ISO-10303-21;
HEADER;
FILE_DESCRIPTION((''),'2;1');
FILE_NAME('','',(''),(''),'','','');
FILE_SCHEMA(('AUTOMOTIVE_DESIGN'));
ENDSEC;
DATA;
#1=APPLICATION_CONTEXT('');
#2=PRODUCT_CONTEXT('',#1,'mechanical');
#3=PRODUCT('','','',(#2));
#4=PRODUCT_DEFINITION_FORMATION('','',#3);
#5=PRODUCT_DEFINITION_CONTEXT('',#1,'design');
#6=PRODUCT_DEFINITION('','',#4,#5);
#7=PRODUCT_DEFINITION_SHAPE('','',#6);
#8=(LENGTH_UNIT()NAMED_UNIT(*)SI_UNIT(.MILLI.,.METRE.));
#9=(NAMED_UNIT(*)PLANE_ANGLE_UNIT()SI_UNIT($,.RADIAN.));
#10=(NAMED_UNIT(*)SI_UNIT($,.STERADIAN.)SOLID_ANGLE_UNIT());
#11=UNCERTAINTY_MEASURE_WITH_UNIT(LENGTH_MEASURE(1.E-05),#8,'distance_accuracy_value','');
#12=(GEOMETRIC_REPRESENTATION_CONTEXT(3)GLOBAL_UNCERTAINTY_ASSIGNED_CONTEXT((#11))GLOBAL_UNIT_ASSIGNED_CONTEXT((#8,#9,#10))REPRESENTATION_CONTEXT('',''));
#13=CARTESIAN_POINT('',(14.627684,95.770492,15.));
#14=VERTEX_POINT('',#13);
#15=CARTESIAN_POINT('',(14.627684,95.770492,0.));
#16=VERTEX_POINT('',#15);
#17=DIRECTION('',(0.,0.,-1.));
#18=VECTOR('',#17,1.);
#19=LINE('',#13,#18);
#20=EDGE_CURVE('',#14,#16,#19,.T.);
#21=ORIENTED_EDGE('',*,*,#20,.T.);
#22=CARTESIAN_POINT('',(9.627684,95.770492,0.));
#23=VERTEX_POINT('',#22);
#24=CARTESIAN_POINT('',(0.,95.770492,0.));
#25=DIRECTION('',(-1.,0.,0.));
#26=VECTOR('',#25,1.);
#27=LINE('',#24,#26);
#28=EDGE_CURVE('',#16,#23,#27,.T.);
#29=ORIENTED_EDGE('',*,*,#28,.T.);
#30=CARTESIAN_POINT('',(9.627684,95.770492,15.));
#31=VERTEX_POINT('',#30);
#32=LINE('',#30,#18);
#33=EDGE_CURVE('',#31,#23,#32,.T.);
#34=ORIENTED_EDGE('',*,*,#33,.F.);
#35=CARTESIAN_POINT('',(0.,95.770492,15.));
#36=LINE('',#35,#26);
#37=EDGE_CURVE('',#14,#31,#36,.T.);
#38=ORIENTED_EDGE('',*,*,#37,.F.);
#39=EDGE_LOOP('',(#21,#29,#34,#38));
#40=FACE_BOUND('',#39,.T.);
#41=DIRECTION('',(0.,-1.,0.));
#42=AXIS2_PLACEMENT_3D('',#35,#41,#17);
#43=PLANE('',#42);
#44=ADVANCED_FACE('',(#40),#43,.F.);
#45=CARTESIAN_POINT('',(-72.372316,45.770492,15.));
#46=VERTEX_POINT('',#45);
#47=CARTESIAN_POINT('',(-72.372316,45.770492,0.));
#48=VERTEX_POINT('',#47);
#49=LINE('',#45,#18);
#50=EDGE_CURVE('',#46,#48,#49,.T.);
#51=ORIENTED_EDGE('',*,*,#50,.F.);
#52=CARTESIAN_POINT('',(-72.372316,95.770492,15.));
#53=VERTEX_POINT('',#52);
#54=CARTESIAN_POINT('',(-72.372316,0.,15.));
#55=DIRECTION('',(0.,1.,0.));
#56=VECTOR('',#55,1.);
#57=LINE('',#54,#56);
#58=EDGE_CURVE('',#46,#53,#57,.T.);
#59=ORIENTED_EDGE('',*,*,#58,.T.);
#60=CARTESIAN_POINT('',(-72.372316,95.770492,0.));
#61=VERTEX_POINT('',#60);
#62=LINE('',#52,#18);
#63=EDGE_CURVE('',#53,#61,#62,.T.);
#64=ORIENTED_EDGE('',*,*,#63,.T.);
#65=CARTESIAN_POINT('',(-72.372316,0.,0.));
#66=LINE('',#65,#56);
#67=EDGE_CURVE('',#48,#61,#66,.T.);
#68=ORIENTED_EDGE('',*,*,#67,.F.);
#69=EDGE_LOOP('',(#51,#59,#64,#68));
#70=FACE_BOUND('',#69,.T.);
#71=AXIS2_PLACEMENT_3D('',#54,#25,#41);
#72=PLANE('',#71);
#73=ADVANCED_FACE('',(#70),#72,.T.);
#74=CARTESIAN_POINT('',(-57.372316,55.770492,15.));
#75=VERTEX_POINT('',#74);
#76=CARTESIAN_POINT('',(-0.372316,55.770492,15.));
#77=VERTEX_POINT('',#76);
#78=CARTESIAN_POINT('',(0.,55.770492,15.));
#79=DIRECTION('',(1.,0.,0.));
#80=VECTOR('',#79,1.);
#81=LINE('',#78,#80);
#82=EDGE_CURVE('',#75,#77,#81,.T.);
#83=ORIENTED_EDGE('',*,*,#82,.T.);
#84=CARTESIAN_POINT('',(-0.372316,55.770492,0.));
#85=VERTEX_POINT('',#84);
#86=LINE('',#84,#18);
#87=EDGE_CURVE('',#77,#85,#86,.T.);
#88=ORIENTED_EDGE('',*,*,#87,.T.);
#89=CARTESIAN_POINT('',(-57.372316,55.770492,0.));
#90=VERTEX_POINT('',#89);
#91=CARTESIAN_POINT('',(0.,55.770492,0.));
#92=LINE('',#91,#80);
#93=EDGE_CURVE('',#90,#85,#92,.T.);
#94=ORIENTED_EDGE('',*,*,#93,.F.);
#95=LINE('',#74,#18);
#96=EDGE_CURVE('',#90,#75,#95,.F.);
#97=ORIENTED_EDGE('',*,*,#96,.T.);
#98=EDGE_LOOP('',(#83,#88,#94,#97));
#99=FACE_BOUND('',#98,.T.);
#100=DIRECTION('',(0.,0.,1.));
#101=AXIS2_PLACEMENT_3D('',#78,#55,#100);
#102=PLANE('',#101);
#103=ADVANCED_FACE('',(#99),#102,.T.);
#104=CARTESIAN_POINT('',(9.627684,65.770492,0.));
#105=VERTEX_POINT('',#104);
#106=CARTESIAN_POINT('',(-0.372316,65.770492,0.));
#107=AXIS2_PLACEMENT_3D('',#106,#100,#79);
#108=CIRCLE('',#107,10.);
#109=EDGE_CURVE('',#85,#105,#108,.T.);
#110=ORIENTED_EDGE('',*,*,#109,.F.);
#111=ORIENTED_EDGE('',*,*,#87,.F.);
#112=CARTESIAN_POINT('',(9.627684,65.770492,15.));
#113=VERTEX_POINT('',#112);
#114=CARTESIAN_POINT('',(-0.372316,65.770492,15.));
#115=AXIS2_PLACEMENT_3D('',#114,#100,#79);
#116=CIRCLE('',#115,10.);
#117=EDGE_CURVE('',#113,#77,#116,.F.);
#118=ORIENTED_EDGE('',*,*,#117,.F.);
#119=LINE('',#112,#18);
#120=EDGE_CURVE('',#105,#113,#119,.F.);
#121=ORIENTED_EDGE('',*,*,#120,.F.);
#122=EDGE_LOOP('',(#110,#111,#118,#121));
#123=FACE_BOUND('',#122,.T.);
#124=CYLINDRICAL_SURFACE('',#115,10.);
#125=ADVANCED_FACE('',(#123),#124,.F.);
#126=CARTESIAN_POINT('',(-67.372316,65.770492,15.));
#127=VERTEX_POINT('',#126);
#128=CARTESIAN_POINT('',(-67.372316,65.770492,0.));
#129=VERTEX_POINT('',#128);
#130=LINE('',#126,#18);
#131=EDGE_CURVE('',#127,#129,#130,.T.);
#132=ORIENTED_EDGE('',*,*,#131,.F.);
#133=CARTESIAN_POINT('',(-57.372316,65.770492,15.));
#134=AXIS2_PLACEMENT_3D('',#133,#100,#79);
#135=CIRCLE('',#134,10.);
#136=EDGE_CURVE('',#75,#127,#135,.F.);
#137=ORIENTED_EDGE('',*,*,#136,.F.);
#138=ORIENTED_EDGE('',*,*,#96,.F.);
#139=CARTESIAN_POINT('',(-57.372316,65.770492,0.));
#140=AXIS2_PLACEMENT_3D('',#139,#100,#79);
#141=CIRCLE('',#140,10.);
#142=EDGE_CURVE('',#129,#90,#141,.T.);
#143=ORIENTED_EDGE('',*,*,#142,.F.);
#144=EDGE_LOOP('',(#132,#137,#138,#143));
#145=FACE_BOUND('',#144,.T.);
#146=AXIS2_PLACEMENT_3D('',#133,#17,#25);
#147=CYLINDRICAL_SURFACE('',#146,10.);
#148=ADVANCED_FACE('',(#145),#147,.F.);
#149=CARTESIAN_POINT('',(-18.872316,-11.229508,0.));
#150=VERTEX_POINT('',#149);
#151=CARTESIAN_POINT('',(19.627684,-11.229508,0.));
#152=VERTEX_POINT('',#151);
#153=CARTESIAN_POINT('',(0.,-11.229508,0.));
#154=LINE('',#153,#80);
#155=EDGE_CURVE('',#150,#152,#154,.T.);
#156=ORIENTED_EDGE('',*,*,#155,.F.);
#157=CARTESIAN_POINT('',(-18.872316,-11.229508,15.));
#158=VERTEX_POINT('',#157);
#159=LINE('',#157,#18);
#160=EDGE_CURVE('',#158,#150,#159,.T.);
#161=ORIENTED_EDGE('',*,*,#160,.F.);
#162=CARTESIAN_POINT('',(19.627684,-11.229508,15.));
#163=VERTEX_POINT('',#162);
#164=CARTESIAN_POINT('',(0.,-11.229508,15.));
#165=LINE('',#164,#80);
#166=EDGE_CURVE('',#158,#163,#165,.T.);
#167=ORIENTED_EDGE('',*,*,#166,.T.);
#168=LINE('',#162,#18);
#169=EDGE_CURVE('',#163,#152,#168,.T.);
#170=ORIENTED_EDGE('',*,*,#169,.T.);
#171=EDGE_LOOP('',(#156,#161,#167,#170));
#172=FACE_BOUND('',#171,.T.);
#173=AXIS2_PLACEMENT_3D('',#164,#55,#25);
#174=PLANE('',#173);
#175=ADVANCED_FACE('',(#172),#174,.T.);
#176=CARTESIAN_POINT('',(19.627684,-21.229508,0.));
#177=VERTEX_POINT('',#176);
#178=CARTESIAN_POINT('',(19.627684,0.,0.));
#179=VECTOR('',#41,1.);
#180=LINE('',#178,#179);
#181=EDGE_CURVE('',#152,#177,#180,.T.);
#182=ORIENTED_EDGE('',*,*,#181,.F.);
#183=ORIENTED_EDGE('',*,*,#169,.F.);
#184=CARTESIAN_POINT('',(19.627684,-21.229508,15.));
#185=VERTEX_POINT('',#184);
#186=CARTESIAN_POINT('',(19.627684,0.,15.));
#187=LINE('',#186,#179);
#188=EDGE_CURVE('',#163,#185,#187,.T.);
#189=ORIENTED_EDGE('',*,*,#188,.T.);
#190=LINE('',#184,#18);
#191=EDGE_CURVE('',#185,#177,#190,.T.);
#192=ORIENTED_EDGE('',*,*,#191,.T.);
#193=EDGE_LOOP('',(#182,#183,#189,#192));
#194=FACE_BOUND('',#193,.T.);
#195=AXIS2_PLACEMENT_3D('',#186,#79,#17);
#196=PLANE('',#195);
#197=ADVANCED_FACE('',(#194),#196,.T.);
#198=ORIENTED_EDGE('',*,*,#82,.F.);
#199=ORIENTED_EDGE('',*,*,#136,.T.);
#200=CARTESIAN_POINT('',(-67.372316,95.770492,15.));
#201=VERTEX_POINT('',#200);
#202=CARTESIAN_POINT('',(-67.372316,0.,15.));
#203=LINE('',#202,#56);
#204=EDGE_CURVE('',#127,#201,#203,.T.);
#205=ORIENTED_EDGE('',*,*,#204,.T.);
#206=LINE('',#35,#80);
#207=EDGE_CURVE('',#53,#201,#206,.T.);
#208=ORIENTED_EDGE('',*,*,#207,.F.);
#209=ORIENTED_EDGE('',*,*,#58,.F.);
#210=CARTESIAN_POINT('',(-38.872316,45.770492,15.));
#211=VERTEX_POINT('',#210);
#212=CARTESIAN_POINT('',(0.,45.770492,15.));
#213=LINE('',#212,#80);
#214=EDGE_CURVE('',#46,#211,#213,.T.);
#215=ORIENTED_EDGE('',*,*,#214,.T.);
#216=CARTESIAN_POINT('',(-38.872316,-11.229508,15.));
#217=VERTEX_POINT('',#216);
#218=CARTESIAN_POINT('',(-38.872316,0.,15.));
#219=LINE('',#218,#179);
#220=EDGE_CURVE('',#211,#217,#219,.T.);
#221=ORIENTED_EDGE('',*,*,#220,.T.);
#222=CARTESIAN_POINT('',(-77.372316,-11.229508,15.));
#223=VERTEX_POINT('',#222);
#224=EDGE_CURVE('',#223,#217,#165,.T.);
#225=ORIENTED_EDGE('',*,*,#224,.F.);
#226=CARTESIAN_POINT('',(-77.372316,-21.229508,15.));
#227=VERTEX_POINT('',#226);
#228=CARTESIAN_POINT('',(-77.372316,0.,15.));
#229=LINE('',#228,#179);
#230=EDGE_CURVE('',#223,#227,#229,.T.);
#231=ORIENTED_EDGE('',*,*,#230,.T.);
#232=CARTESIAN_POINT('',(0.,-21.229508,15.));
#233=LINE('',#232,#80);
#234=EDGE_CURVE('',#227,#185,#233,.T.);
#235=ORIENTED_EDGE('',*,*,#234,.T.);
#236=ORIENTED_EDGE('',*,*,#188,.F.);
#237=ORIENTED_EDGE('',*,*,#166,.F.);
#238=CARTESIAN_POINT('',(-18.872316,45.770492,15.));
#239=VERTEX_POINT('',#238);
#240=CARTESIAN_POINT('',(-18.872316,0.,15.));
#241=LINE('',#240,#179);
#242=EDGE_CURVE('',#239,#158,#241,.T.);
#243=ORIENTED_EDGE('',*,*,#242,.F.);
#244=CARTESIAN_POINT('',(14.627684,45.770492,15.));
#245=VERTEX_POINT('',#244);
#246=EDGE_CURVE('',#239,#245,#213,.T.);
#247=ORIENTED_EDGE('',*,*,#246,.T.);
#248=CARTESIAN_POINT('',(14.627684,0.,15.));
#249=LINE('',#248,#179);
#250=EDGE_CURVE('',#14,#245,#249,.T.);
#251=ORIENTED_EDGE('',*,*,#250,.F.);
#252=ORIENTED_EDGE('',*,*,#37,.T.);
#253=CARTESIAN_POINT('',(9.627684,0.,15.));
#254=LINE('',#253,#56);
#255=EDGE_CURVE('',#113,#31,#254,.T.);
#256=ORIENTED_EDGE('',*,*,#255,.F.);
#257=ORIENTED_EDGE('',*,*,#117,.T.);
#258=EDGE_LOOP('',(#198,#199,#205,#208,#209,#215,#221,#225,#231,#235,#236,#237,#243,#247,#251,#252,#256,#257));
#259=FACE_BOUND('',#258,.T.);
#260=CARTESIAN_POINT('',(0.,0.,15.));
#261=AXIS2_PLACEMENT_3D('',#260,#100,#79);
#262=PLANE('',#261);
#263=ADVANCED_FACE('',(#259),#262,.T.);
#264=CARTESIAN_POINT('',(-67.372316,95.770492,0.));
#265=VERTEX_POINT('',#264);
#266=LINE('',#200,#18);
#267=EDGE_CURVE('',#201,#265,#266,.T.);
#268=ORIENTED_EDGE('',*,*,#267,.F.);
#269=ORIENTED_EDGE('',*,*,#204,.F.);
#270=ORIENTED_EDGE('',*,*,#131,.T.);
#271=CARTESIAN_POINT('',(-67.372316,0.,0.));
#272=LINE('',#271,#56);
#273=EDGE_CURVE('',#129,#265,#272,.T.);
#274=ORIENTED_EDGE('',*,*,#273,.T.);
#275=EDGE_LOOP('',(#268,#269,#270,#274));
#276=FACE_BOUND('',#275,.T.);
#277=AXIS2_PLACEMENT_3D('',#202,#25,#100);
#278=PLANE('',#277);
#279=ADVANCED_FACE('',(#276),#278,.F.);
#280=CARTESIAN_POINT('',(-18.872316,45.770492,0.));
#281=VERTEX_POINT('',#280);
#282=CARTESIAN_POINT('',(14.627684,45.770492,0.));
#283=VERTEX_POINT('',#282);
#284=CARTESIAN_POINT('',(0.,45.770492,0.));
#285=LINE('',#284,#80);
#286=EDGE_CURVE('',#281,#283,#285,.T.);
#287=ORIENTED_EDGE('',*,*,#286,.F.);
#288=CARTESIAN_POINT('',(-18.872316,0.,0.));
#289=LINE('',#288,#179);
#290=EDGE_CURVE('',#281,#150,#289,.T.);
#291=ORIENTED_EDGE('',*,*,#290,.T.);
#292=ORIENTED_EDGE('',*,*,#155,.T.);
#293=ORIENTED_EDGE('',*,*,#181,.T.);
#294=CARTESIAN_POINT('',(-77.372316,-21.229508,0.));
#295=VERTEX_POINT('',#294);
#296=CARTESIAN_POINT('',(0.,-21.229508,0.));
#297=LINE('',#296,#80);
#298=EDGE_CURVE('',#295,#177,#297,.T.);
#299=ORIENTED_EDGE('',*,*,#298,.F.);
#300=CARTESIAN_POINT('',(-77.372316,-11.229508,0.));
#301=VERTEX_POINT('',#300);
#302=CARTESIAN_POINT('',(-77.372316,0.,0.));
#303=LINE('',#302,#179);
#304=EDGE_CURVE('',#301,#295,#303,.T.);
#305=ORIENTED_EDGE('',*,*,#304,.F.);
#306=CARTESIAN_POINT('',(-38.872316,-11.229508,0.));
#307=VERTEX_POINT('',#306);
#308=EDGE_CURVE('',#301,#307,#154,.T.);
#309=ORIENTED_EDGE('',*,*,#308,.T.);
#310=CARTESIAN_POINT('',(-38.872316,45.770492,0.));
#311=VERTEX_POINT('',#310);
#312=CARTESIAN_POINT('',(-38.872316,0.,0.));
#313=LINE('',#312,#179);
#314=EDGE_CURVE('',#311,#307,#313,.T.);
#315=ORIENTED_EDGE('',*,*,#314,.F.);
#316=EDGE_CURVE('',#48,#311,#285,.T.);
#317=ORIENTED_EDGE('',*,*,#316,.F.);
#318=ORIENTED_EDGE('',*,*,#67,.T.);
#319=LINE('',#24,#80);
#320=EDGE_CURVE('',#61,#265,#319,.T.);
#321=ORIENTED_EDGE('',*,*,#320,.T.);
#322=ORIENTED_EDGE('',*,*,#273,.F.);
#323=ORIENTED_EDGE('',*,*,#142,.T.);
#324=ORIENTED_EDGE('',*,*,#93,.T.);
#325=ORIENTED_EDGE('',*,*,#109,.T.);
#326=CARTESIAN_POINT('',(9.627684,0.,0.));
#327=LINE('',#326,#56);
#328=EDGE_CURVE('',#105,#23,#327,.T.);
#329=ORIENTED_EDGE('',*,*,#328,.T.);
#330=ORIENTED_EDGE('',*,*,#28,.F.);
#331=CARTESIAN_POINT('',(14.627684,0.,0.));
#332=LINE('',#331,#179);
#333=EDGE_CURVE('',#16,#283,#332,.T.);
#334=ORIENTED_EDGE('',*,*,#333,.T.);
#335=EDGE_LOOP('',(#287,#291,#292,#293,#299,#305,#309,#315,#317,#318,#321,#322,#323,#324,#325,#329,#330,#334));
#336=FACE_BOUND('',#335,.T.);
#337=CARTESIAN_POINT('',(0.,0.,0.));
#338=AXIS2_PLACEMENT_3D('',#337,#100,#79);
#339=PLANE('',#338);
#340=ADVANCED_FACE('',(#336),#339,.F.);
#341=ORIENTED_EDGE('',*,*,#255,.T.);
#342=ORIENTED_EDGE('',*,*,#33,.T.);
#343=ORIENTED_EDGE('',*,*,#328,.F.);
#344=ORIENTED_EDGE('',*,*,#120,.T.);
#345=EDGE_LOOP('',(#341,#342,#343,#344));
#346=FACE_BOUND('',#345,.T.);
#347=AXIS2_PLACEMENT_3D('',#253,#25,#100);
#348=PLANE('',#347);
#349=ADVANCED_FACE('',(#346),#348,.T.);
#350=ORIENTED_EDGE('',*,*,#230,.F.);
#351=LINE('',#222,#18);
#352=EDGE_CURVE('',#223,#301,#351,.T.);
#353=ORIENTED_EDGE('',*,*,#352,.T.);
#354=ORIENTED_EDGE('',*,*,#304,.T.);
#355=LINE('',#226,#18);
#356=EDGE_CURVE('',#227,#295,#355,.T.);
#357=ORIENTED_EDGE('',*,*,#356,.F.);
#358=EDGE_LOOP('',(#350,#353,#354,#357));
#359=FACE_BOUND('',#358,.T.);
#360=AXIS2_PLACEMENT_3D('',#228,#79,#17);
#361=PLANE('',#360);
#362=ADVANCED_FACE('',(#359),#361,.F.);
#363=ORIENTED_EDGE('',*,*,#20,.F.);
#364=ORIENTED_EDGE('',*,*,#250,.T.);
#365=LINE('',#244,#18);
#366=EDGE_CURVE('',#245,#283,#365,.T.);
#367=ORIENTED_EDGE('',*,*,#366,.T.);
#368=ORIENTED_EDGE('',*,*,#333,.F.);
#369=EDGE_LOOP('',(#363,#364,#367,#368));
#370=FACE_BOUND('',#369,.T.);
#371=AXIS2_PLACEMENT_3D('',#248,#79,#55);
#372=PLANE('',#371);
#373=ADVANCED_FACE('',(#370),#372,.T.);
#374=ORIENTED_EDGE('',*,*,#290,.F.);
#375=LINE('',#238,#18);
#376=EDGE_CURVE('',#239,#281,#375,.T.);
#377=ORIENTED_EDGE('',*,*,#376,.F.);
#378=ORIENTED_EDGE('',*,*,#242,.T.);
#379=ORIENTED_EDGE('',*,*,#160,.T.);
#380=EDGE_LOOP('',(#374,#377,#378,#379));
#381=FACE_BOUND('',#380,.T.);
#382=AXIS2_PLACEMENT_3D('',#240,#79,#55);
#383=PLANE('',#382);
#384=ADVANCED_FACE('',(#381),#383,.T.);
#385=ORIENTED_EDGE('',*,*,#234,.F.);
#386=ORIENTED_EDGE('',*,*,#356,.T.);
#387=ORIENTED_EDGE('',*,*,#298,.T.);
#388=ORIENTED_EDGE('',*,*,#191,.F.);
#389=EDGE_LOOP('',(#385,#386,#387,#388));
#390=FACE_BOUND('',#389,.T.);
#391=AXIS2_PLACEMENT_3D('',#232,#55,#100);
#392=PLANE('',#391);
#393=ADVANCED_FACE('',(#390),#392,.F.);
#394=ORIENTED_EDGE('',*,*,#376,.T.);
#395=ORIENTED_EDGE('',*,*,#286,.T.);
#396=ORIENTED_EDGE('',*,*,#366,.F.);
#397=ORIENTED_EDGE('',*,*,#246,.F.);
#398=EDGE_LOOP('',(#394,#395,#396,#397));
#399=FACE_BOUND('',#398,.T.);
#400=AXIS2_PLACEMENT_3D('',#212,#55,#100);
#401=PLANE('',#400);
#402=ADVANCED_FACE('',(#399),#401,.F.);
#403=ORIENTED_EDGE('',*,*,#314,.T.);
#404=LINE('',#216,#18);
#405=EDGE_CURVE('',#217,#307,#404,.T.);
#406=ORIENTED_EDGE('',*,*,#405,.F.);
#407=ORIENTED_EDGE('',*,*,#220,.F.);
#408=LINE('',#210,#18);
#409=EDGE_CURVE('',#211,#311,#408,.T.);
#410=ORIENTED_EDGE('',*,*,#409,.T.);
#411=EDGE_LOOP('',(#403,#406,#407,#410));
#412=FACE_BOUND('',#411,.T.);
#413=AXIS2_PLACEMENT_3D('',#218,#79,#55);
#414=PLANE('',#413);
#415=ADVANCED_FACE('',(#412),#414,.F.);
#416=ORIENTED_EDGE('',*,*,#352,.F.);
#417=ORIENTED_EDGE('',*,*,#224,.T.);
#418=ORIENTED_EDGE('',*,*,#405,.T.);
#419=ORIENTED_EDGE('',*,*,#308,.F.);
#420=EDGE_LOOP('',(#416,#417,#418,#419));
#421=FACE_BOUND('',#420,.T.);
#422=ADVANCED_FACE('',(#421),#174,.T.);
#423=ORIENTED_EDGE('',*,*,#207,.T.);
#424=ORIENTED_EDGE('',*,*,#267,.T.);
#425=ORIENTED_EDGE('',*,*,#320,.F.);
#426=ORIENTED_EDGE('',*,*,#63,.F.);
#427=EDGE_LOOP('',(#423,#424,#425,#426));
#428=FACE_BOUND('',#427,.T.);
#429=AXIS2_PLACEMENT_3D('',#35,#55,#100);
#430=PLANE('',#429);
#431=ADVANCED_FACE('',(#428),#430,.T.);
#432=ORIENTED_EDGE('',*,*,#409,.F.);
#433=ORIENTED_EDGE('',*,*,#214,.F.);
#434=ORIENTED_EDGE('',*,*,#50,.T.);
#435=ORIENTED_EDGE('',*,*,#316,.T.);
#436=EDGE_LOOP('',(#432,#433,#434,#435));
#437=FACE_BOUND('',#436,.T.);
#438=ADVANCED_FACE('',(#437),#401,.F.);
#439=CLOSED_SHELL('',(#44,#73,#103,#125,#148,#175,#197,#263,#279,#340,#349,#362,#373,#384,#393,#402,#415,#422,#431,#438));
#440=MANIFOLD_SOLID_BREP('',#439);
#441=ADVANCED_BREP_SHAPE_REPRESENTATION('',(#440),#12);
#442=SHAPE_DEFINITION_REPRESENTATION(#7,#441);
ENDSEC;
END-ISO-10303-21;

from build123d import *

# Parameters (mm, degrees)
SKETCH_1_W      = 5
SKETCH_1_H      = 40
SKETCH_1_W_2    = 20
SKETCH_1_H_2    = 57
SKETCH_1_W_3    = 97
SKETCH_1_H_3    = 10
EXTRUDE_1_DEPTH = 15
FILLET_1_R      = 10


with BuildPart() as part:
    # 草圖1 → 填料-伸長1 (new body)
    with BuildSketch(Plane.XY):
        with Locations((-69.872316496, 75.770491803)):
            Rectangle(SKETCH_1_W, SKETCH_1_H)
        Polygon((-72.372316496, 45.770491803), (-38.872316496, 45.770491803), (-18.872316496, 45.770491803), (14.627683504, 45.770491803), (14.627683504, 55.770491803), (9.627683504, 55.770491803), (-67.372316496, 55.770491803), (-72.372316496, 55.770491803), align=None)
        with Locations((12.127683504, 75.770491803)):
            Rectangle(SKETCH_1_W, SKETCH_1_H)
        with Locations((-28.872316496, 17.270491803)):
            Rectangle(SKETCH_1_W_2, SKETCH_1_H_2)
        with Locations((-28.872316496, -16.229508197)):
            Rectangle(SKETCH_1_W_3, SKETCH_1_H_3)
    extrude(amount=EXTRUDE_1_DEPTH)

    # 圓角1
    fillet_1_edges = [part.edges().sort_by_distance(p)[0] for p in [
        (-67.372316496, 55.770491803, 7.5),
        (9.627683504, 55.770491803, 7.5),
    ]]
    fillet(fillet_1_edges, radius=FILLET_1_R)


solid = part.part
